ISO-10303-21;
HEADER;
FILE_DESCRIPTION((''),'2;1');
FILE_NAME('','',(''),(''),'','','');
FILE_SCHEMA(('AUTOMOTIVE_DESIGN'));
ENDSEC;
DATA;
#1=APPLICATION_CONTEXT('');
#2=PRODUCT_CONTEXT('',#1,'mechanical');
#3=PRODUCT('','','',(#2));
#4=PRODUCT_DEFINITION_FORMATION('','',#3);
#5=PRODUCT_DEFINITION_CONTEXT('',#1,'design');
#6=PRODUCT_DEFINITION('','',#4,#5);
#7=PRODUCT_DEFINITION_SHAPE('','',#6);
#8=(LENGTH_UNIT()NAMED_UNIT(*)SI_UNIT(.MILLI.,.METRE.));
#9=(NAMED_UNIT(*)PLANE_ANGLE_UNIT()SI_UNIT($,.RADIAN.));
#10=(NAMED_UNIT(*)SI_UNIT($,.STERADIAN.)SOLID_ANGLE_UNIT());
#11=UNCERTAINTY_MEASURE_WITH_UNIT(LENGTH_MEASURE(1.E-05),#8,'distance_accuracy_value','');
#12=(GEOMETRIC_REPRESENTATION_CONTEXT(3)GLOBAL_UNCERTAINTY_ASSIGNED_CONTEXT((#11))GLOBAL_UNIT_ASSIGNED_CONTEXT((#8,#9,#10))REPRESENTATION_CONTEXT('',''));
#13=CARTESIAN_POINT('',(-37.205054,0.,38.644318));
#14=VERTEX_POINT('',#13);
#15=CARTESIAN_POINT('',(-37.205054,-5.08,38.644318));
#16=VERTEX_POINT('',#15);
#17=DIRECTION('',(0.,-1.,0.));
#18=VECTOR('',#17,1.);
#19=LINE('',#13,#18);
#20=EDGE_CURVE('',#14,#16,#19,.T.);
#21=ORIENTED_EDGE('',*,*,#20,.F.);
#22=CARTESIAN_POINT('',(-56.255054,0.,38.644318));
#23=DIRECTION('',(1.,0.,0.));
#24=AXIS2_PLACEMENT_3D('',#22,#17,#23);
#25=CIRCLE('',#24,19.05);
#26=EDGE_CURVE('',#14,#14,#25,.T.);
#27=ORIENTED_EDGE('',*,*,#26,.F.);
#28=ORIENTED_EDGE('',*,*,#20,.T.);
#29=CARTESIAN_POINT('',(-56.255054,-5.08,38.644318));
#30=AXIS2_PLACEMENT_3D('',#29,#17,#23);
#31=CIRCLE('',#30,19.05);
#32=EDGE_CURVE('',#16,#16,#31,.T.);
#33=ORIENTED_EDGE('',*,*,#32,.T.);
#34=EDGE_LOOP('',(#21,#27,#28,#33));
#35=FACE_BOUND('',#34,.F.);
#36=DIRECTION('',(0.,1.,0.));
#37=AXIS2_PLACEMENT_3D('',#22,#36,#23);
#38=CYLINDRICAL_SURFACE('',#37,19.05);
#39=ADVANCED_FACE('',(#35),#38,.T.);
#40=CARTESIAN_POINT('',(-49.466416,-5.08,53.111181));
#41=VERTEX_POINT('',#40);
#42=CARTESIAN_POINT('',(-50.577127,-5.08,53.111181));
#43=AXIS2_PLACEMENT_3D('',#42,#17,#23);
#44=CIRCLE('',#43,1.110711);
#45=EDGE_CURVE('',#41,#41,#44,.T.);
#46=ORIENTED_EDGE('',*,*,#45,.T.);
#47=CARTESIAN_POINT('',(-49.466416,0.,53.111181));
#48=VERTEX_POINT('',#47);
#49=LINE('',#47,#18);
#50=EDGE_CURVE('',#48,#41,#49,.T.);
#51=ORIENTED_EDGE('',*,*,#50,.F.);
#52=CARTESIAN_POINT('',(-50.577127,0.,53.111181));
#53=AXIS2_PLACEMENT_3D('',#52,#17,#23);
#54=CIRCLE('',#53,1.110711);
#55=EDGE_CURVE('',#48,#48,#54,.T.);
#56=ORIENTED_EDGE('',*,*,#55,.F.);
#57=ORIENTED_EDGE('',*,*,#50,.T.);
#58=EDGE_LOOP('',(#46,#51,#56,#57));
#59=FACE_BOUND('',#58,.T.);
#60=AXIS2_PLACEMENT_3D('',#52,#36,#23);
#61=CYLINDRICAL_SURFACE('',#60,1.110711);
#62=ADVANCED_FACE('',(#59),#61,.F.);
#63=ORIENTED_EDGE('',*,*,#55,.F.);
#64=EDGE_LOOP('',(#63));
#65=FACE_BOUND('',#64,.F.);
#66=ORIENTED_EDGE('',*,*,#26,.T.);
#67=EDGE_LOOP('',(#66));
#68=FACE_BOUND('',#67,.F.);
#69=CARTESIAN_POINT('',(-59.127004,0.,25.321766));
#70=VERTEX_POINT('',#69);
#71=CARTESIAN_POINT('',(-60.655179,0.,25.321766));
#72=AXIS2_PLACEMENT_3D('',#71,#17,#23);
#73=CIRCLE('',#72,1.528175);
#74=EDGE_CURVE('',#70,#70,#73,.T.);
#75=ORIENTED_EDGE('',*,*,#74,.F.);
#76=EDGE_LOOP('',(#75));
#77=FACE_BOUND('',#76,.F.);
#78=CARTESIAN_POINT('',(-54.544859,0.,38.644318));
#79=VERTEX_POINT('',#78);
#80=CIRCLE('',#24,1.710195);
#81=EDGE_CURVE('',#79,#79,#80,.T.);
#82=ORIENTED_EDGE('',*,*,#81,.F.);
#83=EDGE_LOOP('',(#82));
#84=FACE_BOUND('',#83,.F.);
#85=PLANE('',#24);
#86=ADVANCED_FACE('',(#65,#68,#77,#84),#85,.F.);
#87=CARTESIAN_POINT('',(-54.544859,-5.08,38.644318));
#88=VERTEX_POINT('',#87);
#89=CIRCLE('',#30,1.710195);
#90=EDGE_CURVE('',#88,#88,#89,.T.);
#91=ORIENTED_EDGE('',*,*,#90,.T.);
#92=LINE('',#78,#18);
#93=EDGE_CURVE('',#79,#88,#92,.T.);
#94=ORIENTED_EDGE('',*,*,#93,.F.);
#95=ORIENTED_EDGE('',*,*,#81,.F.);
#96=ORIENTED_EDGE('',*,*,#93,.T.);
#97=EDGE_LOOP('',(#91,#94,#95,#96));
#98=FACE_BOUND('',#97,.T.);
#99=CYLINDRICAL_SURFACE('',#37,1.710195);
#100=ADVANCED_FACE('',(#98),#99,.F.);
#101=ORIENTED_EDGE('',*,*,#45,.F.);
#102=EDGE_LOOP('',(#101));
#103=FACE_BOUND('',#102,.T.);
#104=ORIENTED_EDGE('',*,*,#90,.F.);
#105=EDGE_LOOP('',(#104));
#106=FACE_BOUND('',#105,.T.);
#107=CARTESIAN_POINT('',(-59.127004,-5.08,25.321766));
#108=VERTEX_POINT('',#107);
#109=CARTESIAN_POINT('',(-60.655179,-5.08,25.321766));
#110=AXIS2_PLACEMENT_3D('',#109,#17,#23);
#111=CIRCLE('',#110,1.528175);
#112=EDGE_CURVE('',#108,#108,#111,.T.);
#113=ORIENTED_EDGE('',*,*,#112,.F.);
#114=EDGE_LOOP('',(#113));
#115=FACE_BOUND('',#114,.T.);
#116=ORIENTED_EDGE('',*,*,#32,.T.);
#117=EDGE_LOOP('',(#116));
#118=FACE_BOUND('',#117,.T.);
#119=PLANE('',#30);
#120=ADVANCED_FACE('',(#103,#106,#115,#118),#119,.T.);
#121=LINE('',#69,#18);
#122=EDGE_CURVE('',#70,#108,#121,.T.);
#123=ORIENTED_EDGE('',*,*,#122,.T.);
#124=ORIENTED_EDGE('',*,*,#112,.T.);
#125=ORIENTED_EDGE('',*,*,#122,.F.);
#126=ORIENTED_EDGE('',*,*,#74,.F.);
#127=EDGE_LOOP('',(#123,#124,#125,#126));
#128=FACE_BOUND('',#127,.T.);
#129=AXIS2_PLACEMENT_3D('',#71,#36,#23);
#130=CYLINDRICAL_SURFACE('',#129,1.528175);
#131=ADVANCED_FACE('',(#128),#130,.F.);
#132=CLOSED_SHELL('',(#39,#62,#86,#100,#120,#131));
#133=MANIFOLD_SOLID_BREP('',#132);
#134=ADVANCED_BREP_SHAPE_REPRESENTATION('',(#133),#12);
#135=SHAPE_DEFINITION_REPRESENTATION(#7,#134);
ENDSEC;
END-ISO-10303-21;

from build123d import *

# Parameters (mm, degrees)
F0_R     = 19.05
F0_R_2   = 1.528175
F0_R_3   = 1.710195
F0_R_4   = 1.110711
F1_DEPTH = 5.08


with BuildPart() as f1:
    # F0 (on Front) → F1 (new body)
    with BuildSketch(Plane.XZ):
        with Locations((-56.255054, 38.644318)):
            Circle(F0_R)
        with Locations((-60.655179, 25.321766)):
            Circle(F0_R_2, mode=Mode.SUBTRACT)
        with Locations((-56.255054, 38.644318)):
            Circle(F0_R_3, mode=Mode.SUBTRACT)
        with Locations((-50.577127, 53.111181)):
            Circle(F0_R_4, mode=Mode.SUBTRACT)
    extrude(amount=F1_DEPTH)


solid = f1.part
